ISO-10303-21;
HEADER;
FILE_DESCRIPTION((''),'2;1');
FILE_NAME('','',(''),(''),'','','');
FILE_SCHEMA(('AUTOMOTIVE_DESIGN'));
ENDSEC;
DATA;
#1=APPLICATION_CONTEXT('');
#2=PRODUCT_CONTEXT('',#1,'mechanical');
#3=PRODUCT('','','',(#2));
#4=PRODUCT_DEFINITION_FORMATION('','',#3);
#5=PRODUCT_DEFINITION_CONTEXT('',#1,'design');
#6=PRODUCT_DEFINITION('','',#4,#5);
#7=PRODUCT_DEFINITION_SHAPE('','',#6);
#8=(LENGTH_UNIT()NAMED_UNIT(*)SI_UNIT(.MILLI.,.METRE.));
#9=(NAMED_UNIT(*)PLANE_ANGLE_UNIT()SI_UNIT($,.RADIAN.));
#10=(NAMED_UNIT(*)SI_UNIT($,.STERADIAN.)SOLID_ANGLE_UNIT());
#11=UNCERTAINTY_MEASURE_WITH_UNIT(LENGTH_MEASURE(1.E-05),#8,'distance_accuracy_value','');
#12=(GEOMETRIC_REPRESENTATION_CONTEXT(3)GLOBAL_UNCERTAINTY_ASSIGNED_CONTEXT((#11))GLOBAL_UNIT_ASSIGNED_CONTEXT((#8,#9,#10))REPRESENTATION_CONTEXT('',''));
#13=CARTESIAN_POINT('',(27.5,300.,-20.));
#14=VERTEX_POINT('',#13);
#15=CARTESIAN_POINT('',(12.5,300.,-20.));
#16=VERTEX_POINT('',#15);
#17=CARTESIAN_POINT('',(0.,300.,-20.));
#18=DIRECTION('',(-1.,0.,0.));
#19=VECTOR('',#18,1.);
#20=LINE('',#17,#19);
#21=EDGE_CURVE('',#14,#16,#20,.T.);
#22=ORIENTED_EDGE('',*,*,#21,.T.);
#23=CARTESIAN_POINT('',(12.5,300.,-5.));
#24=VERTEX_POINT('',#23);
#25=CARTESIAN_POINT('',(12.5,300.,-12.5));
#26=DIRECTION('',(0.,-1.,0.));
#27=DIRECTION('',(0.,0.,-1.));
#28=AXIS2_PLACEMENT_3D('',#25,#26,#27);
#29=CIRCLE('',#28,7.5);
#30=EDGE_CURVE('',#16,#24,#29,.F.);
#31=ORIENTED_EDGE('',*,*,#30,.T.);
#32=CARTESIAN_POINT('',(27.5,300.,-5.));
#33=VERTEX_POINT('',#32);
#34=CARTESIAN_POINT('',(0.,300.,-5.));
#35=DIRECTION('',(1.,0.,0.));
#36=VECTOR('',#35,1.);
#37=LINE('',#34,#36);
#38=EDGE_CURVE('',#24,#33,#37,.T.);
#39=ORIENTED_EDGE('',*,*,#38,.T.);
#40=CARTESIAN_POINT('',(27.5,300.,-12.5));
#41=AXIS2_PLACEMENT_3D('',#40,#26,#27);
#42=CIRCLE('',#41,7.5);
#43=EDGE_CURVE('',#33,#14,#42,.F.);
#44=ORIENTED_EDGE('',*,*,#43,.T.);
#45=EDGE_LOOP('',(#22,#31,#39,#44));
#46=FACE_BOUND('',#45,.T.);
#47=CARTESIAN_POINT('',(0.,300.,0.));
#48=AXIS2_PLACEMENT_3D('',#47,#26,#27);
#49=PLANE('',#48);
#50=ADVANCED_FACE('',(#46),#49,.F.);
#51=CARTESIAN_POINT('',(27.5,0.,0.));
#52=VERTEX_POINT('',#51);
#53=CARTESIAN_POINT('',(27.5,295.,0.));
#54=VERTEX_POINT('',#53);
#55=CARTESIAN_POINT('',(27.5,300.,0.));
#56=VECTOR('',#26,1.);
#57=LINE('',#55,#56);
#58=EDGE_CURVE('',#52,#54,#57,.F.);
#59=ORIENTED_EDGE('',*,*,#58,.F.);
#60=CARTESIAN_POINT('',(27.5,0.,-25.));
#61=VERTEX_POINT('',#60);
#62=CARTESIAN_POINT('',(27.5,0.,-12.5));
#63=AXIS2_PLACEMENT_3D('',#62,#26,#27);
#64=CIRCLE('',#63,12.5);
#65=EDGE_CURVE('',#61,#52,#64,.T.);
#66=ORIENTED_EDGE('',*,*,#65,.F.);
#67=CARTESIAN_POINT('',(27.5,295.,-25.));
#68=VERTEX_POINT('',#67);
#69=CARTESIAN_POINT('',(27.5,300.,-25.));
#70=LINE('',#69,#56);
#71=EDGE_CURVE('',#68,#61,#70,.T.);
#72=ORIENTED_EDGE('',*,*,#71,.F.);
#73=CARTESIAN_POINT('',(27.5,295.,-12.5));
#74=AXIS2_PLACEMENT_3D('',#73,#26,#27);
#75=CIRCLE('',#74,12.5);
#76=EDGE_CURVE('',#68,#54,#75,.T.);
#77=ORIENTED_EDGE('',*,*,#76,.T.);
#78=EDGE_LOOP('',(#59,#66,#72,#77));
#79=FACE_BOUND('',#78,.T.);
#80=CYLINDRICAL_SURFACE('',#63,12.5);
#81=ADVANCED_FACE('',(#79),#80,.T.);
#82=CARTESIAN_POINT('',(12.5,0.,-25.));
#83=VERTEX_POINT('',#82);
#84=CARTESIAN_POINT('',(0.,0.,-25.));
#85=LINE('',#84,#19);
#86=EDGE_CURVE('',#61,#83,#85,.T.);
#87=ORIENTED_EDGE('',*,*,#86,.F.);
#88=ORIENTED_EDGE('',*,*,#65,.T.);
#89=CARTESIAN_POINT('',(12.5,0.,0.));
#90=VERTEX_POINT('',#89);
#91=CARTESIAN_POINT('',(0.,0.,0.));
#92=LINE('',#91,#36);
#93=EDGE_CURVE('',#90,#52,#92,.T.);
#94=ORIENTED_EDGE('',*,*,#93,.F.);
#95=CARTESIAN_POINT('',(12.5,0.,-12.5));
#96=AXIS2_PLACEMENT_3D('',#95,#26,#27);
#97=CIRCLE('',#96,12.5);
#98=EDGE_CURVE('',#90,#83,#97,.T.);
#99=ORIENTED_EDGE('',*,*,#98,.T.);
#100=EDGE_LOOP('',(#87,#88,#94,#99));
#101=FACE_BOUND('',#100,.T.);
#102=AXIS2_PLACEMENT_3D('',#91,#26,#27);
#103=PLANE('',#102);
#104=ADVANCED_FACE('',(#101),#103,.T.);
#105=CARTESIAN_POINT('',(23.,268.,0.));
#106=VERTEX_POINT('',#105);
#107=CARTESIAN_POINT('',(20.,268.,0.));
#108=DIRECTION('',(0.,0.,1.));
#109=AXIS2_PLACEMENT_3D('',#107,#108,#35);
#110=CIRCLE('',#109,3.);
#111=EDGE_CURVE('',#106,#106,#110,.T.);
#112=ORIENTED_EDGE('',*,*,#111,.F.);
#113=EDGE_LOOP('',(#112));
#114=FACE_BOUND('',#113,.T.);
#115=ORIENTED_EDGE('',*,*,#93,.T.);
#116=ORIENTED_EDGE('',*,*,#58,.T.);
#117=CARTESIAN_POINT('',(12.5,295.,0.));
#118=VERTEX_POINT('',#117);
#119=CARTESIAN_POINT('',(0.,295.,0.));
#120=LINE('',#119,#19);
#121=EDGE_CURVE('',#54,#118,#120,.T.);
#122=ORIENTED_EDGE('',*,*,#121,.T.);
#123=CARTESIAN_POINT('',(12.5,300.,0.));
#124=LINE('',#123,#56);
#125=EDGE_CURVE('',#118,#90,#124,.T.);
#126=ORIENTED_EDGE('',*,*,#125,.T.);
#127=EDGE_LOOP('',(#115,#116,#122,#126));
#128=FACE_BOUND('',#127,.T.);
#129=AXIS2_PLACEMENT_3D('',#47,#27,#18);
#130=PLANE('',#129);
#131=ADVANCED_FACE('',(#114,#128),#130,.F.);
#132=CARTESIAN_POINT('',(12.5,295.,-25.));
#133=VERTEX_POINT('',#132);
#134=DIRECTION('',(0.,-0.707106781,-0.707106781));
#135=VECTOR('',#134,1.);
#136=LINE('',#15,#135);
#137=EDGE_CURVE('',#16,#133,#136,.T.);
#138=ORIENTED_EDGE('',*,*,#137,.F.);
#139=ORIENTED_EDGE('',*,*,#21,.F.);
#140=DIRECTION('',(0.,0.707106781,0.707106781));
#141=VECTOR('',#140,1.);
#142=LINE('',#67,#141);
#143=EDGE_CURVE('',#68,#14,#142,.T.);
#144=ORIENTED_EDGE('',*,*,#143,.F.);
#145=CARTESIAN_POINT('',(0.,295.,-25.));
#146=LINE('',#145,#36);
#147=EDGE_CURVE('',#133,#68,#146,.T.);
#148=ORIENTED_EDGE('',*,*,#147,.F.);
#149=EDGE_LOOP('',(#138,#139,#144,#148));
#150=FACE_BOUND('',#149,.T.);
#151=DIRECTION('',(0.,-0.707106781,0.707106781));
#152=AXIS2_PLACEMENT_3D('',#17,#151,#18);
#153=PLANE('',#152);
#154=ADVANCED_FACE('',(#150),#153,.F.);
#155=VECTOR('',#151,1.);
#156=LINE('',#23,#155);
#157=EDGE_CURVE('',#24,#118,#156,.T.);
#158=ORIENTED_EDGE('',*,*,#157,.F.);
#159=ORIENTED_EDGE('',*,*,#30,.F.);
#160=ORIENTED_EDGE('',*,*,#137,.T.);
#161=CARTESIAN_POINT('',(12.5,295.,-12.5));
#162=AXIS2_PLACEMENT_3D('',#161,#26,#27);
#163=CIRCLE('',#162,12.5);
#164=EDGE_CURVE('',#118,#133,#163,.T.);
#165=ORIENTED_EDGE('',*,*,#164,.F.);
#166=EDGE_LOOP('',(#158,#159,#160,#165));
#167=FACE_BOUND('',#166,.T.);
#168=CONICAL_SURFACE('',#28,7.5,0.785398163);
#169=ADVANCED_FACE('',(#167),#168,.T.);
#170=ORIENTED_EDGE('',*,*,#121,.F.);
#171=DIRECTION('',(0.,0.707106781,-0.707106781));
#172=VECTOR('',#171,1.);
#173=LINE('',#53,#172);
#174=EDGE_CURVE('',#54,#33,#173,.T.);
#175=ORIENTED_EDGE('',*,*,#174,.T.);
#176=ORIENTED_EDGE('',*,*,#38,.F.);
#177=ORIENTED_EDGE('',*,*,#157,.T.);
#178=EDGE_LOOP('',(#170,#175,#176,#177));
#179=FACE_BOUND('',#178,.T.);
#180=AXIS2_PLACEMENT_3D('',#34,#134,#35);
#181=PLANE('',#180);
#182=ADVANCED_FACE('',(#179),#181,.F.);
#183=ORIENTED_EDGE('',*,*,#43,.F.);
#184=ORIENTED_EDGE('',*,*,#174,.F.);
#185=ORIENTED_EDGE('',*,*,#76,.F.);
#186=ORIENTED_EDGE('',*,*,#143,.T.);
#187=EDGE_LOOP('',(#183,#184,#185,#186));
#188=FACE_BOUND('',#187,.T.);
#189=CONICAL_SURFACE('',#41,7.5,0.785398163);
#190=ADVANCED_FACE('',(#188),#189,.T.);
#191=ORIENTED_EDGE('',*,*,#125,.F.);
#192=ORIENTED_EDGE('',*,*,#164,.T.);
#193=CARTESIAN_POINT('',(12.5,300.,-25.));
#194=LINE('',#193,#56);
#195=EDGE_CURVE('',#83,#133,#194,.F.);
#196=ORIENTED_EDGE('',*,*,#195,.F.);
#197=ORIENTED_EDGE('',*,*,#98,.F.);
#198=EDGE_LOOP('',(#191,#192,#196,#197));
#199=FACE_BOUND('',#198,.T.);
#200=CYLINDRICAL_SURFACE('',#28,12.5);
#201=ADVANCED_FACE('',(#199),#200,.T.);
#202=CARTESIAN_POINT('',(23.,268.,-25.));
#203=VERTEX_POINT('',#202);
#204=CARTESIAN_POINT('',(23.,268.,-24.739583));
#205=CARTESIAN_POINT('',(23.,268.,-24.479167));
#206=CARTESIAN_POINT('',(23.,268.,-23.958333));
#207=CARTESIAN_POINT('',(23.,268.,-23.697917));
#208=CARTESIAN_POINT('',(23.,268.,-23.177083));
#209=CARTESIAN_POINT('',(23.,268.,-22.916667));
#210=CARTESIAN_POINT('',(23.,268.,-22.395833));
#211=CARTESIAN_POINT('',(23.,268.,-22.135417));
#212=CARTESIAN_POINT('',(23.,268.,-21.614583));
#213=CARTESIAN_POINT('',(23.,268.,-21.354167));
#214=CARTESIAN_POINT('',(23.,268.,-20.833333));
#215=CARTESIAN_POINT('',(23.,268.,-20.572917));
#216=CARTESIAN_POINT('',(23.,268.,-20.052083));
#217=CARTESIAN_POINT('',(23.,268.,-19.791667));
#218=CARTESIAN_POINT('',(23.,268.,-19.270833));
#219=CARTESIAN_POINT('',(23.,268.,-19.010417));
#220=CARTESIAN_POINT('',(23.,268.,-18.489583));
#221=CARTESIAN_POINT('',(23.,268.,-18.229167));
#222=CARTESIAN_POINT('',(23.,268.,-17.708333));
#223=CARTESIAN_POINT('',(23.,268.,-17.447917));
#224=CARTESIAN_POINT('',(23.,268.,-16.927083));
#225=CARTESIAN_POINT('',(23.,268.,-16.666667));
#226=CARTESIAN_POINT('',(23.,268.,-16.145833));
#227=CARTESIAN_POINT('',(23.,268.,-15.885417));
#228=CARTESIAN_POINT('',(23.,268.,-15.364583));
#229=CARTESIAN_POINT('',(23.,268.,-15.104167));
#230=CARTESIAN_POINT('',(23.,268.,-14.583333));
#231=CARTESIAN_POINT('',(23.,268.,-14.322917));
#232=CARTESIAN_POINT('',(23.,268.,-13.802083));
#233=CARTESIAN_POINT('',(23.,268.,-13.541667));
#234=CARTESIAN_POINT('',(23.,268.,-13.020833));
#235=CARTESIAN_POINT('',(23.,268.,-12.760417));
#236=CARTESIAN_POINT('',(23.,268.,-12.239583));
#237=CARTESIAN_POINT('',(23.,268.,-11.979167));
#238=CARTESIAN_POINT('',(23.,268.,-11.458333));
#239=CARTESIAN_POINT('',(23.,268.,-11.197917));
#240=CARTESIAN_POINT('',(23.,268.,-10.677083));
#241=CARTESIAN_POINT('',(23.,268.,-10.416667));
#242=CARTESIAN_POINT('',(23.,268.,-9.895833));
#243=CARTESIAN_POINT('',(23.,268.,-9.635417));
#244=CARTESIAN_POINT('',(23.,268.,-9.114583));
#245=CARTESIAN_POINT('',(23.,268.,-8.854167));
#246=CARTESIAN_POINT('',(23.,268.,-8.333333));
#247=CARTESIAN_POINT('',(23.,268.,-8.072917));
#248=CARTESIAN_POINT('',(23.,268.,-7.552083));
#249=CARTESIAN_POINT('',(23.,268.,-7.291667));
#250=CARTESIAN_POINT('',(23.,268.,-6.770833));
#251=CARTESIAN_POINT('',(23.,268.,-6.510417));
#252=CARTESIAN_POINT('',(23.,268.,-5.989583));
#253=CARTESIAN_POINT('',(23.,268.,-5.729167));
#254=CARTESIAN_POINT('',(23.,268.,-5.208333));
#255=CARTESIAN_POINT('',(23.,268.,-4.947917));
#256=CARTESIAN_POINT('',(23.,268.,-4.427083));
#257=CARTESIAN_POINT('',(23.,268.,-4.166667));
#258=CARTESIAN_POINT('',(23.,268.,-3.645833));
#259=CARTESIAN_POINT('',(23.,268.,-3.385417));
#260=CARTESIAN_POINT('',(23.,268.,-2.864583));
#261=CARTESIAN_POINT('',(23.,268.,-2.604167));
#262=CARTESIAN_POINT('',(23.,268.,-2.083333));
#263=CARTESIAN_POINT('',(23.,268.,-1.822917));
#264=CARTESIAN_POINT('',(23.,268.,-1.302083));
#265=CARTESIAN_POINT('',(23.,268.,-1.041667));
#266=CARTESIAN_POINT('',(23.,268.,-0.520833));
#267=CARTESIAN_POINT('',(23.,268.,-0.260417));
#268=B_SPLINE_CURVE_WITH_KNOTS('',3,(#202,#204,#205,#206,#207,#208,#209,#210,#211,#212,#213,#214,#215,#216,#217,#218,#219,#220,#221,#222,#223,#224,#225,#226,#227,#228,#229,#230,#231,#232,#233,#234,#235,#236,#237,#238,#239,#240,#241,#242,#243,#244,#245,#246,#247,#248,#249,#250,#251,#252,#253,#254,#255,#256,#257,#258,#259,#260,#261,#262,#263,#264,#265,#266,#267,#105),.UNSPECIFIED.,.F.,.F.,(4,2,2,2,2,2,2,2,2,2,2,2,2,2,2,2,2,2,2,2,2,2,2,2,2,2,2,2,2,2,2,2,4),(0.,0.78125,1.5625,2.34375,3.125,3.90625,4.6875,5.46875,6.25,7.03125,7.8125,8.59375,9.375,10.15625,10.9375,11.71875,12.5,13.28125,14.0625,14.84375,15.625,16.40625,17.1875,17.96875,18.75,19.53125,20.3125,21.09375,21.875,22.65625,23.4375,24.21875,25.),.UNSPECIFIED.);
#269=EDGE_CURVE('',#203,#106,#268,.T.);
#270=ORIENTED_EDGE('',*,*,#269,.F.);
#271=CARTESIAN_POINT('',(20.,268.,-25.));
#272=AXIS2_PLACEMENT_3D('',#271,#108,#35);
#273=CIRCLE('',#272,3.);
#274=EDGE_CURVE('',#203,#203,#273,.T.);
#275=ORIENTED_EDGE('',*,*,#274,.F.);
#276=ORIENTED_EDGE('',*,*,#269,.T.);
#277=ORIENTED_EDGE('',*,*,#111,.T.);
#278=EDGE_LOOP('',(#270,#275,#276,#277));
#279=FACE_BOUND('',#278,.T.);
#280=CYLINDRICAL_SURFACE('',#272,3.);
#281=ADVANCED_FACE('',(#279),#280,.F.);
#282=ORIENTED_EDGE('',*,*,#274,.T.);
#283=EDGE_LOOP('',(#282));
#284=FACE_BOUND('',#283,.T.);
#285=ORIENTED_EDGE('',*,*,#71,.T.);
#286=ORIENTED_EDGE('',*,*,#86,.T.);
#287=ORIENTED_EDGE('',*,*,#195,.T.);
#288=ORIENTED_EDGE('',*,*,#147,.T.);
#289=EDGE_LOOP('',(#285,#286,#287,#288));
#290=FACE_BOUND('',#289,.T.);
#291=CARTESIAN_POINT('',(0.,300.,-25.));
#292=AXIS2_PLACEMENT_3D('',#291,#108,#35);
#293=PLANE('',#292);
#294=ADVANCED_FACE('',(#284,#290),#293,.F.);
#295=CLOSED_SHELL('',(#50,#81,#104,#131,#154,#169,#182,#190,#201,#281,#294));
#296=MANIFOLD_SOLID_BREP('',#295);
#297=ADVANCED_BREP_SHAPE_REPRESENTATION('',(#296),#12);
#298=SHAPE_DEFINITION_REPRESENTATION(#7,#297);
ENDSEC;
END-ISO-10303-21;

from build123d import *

# Parameters (mm, degrees)
SKETCH1_W           = 40
SKETCH1_H           = 25
BOSS_EXTRUDE1_DEPTH = 300
FILLET1_RADIUS      = 12.5
FILLET1_LENGTH      = 300
FILLET2_RADIUS      = 12.5
FILLET2_LENGTH      = 300
CHAMFER1_SIZE       = 5
SKETCH3_R           = 3
CUT_EXTRUDE2_DEPTH  = 304.685692781


with BuildPart() as part:
    # Sketch1 → Boss-Extrude1 (new body)
    with BuildSketch(Plane(origin=(0, 0, 0), x_dir=(1, 0, 0), z_dir=(0, 1, 0))):
        with Locations((20, 12.5)):
            Rectangle(SKETCH1_W, SKETCH1_H)
    extrude(amount=BOSS_EXTRUDE1_DEPTH)

    # Fillet1: full round fillet: the end face becomes a half cylinder, R = half its width
    fillet1_face = Plane((40, 150, -12.5), x_dir=(0, 1, 0), z_dir=(1, 0, 0))  # on the end face: x along it, z out of the body
    fillet1_slab = fillet1_face.offset(-FILLET1_RADIUS / 2) * Box(FILLET1_LENGTH, 2 * FILLET1_RADIUS, FILLET1_RADIUS, mode=Mode.PRIVATE)  # the body's end, R deep
    fillet1_round = Plane((27.5, 150, -12.5), x_dir=(1, 0, 0), z_dir=(0, 1, 0)) * Cylinder(FILLET1_RADIUS, FILLET1_LENGTH, mode=Mode.PRIVATE)  # its axis R under the face
    add(fillet1_slab - fillet1_round, mode=Mode.SUBTRACT)

    # Fillet2: full round fillet: the end face becomes a half cylinder, R = half its width
    fillet2_face = Plane((0, 150, -12.5), x_dir=(0, 1, 0), z_dir=(-1, 0, 0))  # on the end face: x along it, z out of the body
    fillet2_slab = fillet2_face.offset(-FILLET2_RADIUS / 2) * Box(FILLET2_LENGTH, 2 * FILLET2_RADIUS, FILLET2_RADIUS, mode=Mode.PRIVATE)  # the body's end, R deep
    fillet2_round = Plane((12.5, 150, -12.5), x_dir=(-1, 0, 0), z_dir=(0, 1, 0)) * Cylinder(FILLET2_RADIUS, FILLET2_LENGTH, mode=Mode.PRIVATE)  # its axis R under the face
    add(fillet2_slab - fillet2_round, mode=Mode.SUBTRACT)

    # Chamfer1
    chamfer1_edges = [part.edges().sort_by_distance(p)[0] for p in [
        (20, 300, -25),
        (40, 300, -12.5),
        (20, 300, 0),
        (0, 300, -12.5),
    ]]
    chamfer(chamfer1_edges, length=CHAMFER1_SIZE)

    # Sketch3 → Cut-Extrude2 (cut, through all)
    with BuildSketch(Plane.XY):
        with Locations((20, 268)):
            Circle(SKETCH3_R)
    extrude(amount=-CUT_EXTRUDE2_DEPTH, mode=Mode.SUBTRACT)


solid = part.part
